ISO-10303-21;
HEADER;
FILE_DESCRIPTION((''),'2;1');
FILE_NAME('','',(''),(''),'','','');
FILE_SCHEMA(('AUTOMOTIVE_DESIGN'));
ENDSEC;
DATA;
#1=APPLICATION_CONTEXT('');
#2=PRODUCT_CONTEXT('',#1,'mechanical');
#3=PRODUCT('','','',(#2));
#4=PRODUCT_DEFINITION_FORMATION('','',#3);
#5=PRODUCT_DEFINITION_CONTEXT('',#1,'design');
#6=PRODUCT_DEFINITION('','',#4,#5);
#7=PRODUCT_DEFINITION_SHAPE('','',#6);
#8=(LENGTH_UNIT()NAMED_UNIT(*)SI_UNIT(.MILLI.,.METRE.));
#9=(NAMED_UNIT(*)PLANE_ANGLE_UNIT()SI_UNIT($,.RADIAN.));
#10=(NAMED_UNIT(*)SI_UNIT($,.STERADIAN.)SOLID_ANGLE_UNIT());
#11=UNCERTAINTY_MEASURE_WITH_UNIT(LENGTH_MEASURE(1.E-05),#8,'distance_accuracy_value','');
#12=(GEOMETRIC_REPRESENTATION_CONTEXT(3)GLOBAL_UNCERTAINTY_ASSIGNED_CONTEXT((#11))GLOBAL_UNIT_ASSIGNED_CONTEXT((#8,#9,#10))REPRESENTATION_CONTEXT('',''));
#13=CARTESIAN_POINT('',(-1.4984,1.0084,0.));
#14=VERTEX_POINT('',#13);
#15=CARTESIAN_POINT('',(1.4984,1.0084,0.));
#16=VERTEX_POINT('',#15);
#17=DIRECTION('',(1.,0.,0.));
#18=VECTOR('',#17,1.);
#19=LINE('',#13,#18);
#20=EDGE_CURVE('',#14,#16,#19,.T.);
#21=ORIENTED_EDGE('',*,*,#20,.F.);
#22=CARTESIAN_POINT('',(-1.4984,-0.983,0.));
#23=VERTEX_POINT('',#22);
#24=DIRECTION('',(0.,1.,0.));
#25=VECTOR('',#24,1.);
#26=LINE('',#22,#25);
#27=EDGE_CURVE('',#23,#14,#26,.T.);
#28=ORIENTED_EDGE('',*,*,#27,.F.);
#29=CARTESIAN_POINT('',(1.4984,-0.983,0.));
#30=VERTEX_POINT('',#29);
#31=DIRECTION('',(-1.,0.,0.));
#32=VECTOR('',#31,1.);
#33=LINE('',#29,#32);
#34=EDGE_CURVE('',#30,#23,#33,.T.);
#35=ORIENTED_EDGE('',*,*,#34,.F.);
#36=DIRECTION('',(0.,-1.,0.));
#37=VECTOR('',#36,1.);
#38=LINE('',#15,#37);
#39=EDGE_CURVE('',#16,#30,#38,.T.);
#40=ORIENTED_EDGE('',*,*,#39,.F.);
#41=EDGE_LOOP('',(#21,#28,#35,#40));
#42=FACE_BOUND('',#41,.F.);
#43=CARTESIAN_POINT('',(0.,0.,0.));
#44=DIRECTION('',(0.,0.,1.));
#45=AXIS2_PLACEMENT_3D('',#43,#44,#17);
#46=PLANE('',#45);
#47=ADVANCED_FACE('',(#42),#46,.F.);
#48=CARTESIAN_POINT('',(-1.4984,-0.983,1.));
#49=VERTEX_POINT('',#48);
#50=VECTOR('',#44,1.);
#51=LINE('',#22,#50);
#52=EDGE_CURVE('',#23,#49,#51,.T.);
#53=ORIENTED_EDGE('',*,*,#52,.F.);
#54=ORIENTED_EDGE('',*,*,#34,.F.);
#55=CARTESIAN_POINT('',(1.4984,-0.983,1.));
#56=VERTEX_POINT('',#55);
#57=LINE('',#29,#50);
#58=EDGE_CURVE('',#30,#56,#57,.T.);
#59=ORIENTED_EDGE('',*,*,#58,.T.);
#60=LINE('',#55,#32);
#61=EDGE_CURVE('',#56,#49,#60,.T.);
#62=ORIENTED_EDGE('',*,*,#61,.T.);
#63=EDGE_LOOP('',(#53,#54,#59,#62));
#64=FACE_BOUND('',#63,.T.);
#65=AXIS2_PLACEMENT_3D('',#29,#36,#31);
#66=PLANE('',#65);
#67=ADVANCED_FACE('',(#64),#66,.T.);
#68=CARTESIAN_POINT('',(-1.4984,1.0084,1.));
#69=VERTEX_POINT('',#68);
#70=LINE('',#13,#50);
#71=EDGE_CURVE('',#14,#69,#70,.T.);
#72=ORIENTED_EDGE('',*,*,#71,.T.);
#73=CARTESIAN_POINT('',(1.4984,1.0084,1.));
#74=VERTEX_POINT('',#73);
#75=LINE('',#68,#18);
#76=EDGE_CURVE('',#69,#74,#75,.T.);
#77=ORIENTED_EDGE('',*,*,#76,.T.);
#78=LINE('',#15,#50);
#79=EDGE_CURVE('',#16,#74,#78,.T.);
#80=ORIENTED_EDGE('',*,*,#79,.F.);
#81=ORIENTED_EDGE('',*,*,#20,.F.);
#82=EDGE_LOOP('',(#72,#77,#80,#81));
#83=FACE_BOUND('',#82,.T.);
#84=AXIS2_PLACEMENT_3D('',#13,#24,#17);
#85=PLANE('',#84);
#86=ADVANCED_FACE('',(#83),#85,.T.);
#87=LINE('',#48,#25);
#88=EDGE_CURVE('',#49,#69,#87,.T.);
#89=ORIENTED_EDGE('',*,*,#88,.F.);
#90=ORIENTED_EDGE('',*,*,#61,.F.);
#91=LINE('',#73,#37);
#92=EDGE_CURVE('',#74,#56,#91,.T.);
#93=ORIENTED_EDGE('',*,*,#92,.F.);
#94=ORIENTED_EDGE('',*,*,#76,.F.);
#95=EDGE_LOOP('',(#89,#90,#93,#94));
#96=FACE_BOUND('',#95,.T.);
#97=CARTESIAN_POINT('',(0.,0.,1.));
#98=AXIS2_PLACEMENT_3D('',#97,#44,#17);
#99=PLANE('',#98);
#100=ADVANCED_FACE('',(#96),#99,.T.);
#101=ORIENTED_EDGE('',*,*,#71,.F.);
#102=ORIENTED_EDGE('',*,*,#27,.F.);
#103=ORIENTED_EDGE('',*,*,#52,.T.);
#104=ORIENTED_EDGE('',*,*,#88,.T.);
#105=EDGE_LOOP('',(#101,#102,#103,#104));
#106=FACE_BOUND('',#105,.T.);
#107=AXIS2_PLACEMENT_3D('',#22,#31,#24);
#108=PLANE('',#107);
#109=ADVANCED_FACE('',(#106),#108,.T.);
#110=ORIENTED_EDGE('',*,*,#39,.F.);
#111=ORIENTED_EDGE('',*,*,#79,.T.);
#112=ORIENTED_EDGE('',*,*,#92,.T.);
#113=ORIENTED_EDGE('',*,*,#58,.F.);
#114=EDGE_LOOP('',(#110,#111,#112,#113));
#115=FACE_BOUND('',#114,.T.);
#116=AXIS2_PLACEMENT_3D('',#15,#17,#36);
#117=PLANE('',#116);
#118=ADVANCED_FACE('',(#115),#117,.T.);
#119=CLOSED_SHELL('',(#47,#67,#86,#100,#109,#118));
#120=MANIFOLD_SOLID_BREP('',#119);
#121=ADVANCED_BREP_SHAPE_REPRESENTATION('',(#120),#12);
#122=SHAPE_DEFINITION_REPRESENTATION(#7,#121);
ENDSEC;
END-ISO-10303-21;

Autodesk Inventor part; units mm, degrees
ref_plane "YZ Plane" through (0, 0, 0) normal (1, 0, 0) x (0, 1, 0)
ref_plane "XZ Plane" through (0, 0, 0) normal (0, 1, 0) x (-1, 0, 0)
ref_plane "XY Plane" through (0, 0, 0) normal (0, 0, 1) x (1, 0, 0)
sketch "0603-RES, R1_0603-RES_40" plane through (0, 0, 0) normal (0, 0, 1) x (1, 0, 0)
  line L0 (-1.4984, 1.0084) -> (1.4984, 1.0084)
  line L1 (1.4984, 1.0084) -> (1.4984, -0.983)
  line L2 (1.4984, -0.983) -> (-1.4984, -0.983)
  line L3 (-1.4984, -0.983) -> (-1.4984, 1.0084)
extrude "Extrusion1" add sketch "0603-RES, R1_0603-RES_40" along normal blind 1
properties part number "R1_0603-RES"
